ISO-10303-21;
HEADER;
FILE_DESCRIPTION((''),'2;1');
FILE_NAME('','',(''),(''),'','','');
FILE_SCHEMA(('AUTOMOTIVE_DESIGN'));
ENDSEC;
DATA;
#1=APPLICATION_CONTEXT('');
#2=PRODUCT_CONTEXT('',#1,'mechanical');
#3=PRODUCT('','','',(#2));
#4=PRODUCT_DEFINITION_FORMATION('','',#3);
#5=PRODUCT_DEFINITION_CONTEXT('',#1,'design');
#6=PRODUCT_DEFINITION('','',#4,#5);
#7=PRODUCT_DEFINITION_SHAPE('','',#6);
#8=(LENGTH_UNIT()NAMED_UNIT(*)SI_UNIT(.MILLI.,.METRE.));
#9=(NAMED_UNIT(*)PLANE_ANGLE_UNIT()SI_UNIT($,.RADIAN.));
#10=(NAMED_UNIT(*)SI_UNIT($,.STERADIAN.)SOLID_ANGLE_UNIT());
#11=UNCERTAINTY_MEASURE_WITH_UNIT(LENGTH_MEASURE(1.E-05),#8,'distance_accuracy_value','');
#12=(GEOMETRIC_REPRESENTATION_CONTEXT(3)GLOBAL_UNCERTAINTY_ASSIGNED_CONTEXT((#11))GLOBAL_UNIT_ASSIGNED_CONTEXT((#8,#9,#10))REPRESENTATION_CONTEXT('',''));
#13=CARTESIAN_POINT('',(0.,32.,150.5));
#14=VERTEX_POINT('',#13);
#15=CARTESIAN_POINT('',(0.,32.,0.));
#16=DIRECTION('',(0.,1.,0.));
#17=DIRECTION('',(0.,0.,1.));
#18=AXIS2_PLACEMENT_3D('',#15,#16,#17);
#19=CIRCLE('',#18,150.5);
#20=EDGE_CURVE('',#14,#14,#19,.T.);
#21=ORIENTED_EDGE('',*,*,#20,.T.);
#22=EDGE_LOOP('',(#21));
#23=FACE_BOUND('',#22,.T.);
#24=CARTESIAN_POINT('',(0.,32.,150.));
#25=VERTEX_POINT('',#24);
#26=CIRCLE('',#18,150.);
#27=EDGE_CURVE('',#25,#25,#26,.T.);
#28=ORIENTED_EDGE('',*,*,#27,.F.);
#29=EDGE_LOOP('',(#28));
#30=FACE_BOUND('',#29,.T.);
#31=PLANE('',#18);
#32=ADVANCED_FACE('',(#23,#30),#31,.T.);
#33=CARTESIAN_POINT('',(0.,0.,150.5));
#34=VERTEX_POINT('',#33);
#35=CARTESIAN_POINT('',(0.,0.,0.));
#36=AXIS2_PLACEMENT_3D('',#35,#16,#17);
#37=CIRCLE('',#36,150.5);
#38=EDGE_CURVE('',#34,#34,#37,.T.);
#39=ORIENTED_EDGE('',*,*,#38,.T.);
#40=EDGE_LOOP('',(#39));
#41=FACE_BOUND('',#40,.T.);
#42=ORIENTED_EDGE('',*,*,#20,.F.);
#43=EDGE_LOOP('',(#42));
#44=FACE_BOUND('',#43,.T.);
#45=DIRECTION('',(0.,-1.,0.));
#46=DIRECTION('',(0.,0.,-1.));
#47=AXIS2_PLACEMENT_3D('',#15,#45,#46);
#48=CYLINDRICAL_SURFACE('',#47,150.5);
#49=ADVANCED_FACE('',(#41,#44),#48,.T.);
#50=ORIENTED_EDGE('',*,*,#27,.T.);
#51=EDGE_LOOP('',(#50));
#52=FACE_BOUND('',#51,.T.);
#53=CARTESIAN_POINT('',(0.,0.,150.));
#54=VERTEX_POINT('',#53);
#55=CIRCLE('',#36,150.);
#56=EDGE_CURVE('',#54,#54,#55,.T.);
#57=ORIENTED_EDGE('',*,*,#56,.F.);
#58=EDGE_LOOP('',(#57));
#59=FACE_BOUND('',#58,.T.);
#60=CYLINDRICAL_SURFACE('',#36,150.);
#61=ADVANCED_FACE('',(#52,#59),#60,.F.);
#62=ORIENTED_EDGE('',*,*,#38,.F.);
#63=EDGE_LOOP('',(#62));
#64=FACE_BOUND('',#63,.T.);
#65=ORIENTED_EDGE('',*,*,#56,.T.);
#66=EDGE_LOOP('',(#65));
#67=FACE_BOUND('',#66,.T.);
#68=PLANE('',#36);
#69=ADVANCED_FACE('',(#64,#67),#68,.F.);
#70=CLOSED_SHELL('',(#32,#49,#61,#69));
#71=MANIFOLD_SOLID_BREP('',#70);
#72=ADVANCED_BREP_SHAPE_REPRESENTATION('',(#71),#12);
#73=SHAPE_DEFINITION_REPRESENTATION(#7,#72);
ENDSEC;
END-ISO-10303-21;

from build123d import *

# Parameters (mm, degrees)
SKETCH1_R           = 150.5
BOSS_EXTRUDE1_DEPTH = 32
SKETCH5_R           = 150
CUT_EXTRUDE1_DEPTH  = 32


with BuildPart() as part:
    # Sketch1 → Boss-Extrude1 (new body)
    with BuildSketch(Plane(origin=(0, 0, 0), x_dir=(1, 0, 0), z_dir=(0, 1, 0))):
        Circle(SKETCH1_R)
    extrude(amount=BOSS_EXTRUDE1_DEPTH)

    # Sketch5 → Cut-Extrude1 (cut)
    with BuildSketch(Plane(origin=(0, 32, 0), x_dir=(1, 0, 0), z_dir=(0, 1, 0))):
        Circle(SKETCH5_R)
    extrude(amount=-CUT_EXTRUDE1_DEPTH, mode=Mode.SUBTRACT)


solid = part.part
